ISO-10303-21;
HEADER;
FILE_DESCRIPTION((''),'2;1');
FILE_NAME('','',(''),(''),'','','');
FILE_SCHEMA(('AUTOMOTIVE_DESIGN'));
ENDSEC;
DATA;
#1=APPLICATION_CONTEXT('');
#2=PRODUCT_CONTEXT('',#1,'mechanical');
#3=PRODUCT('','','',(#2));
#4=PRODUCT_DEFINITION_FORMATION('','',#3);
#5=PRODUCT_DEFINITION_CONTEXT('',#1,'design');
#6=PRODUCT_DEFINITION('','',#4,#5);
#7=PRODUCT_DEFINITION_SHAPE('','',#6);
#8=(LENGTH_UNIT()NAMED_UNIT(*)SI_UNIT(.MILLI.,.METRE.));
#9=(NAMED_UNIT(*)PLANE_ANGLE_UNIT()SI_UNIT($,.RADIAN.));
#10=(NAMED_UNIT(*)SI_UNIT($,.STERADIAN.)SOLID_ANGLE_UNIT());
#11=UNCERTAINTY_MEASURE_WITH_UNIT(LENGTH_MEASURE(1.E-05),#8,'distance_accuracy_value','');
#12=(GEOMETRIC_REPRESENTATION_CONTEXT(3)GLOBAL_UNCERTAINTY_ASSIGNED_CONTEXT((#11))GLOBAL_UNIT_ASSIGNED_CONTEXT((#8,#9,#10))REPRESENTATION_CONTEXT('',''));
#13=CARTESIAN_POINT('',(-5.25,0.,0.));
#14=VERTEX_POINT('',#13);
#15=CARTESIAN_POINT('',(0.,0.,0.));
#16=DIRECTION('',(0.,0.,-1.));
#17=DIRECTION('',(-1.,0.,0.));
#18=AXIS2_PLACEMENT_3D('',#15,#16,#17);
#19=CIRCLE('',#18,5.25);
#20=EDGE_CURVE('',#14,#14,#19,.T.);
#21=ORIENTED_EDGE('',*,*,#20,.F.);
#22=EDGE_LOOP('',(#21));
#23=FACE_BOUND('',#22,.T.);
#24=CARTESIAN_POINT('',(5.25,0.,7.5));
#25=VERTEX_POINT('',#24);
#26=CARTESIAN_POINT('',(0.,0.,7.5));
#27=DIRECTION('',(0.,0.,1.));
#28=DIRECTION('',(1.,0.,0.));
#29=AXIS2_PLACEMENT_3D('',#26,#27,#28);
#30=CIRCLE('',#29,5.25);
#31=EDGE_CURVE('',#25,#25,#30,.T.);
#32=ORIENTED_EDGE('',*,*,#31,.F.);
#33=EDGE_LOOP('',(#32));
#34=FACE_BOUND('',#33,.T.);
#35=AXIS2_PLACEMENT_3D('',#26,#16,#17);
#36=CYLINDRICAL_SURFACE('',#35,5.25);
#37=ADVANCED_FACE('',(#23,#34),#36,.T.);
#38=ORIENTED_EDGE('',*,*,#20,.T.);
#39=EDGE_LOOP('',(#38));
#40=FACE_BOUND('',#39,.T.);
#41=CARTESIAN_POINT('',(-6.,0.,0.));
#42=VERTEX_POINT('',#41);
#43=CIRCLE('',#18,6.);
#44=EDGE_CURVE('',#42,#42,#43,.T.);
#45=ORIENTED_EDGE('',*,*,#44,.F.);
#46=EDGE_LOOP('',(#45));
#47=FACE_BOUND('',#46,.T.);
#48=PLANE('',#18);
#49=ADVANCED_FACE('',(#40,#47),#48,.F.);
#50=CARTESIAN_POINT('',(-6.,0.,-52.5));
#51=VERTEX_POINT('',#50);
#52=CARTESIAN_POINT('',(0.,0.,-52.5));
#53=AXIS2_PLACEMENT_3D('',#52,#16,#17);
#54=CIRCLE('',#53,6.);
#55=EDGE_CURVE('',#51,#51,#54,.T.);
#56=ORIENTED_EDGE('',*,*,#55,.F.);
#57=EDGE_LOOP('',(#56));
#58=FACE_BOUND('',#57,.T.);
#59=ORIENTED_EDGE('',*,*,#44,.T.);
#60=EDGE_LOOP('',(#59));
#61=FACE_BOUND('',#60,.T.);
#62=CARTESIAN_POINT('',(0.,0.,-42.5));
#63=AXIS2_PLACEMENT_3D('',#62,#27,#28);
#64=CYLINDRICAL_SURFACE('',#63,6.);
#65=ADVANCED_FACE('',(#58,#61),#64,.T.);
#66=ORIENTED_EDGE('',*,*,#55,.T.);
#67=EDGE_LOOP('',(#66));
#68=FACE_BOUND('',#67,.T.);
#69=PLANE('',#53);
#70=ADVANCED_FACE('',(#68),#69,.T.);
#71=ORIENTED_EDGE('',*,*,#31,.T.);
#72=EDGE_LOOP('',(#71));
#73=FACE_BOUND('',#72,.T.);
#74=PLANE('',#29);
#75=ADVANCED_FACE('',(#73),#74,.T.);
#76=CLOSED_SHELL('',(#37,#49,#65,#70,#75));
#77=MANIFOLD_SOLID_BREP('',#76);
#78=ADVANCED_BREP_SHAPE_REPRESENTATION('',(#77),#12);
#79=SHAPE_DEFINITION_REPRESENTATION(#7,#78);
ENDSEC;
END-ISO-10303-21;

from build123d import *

# Parameters (mm, degrees)
SKETCH_1_R      = 5.25
EXTRUDE_1_DEPTH = 7.5
SKETCH_2_R      = 6
EXTRUDE_2_DEPTH = 42.5
SKETCH_3_R      = 6
EXTRUDE_3_DEPTH = 10


with BuildPart() as part:
    # 草图1 → 凸台-拉伸1 (new body)
    with BuildSketch(Plane.XY):
        Circle(SKETCH_1_R)
    extrude(amount=EXTRUDE_1_DEPTH)

    # 草图2 → 凸台-拉伸2 (add)
    with BuildSketch(Plane(origin=(0, 0, 0), x_dir=(-1, 0, 0), z_dir=(0, 0, -1))):
        Circle(SKETCH_2_R)
    extrude(amount=EXTRUDE_2_DEPTH)

    # 草图3 → 凸台-拉伸3 (add)
    with BuildSketch(Plane(origin=(0, 0, -42.5), x_dir=(-1, 0, 0), z_dir=(0, 0, -1))):
        Circle(SKETCH_3_R)
    extrude(amount=EXTRUDE_3_DEPTH)


solid = part.part
